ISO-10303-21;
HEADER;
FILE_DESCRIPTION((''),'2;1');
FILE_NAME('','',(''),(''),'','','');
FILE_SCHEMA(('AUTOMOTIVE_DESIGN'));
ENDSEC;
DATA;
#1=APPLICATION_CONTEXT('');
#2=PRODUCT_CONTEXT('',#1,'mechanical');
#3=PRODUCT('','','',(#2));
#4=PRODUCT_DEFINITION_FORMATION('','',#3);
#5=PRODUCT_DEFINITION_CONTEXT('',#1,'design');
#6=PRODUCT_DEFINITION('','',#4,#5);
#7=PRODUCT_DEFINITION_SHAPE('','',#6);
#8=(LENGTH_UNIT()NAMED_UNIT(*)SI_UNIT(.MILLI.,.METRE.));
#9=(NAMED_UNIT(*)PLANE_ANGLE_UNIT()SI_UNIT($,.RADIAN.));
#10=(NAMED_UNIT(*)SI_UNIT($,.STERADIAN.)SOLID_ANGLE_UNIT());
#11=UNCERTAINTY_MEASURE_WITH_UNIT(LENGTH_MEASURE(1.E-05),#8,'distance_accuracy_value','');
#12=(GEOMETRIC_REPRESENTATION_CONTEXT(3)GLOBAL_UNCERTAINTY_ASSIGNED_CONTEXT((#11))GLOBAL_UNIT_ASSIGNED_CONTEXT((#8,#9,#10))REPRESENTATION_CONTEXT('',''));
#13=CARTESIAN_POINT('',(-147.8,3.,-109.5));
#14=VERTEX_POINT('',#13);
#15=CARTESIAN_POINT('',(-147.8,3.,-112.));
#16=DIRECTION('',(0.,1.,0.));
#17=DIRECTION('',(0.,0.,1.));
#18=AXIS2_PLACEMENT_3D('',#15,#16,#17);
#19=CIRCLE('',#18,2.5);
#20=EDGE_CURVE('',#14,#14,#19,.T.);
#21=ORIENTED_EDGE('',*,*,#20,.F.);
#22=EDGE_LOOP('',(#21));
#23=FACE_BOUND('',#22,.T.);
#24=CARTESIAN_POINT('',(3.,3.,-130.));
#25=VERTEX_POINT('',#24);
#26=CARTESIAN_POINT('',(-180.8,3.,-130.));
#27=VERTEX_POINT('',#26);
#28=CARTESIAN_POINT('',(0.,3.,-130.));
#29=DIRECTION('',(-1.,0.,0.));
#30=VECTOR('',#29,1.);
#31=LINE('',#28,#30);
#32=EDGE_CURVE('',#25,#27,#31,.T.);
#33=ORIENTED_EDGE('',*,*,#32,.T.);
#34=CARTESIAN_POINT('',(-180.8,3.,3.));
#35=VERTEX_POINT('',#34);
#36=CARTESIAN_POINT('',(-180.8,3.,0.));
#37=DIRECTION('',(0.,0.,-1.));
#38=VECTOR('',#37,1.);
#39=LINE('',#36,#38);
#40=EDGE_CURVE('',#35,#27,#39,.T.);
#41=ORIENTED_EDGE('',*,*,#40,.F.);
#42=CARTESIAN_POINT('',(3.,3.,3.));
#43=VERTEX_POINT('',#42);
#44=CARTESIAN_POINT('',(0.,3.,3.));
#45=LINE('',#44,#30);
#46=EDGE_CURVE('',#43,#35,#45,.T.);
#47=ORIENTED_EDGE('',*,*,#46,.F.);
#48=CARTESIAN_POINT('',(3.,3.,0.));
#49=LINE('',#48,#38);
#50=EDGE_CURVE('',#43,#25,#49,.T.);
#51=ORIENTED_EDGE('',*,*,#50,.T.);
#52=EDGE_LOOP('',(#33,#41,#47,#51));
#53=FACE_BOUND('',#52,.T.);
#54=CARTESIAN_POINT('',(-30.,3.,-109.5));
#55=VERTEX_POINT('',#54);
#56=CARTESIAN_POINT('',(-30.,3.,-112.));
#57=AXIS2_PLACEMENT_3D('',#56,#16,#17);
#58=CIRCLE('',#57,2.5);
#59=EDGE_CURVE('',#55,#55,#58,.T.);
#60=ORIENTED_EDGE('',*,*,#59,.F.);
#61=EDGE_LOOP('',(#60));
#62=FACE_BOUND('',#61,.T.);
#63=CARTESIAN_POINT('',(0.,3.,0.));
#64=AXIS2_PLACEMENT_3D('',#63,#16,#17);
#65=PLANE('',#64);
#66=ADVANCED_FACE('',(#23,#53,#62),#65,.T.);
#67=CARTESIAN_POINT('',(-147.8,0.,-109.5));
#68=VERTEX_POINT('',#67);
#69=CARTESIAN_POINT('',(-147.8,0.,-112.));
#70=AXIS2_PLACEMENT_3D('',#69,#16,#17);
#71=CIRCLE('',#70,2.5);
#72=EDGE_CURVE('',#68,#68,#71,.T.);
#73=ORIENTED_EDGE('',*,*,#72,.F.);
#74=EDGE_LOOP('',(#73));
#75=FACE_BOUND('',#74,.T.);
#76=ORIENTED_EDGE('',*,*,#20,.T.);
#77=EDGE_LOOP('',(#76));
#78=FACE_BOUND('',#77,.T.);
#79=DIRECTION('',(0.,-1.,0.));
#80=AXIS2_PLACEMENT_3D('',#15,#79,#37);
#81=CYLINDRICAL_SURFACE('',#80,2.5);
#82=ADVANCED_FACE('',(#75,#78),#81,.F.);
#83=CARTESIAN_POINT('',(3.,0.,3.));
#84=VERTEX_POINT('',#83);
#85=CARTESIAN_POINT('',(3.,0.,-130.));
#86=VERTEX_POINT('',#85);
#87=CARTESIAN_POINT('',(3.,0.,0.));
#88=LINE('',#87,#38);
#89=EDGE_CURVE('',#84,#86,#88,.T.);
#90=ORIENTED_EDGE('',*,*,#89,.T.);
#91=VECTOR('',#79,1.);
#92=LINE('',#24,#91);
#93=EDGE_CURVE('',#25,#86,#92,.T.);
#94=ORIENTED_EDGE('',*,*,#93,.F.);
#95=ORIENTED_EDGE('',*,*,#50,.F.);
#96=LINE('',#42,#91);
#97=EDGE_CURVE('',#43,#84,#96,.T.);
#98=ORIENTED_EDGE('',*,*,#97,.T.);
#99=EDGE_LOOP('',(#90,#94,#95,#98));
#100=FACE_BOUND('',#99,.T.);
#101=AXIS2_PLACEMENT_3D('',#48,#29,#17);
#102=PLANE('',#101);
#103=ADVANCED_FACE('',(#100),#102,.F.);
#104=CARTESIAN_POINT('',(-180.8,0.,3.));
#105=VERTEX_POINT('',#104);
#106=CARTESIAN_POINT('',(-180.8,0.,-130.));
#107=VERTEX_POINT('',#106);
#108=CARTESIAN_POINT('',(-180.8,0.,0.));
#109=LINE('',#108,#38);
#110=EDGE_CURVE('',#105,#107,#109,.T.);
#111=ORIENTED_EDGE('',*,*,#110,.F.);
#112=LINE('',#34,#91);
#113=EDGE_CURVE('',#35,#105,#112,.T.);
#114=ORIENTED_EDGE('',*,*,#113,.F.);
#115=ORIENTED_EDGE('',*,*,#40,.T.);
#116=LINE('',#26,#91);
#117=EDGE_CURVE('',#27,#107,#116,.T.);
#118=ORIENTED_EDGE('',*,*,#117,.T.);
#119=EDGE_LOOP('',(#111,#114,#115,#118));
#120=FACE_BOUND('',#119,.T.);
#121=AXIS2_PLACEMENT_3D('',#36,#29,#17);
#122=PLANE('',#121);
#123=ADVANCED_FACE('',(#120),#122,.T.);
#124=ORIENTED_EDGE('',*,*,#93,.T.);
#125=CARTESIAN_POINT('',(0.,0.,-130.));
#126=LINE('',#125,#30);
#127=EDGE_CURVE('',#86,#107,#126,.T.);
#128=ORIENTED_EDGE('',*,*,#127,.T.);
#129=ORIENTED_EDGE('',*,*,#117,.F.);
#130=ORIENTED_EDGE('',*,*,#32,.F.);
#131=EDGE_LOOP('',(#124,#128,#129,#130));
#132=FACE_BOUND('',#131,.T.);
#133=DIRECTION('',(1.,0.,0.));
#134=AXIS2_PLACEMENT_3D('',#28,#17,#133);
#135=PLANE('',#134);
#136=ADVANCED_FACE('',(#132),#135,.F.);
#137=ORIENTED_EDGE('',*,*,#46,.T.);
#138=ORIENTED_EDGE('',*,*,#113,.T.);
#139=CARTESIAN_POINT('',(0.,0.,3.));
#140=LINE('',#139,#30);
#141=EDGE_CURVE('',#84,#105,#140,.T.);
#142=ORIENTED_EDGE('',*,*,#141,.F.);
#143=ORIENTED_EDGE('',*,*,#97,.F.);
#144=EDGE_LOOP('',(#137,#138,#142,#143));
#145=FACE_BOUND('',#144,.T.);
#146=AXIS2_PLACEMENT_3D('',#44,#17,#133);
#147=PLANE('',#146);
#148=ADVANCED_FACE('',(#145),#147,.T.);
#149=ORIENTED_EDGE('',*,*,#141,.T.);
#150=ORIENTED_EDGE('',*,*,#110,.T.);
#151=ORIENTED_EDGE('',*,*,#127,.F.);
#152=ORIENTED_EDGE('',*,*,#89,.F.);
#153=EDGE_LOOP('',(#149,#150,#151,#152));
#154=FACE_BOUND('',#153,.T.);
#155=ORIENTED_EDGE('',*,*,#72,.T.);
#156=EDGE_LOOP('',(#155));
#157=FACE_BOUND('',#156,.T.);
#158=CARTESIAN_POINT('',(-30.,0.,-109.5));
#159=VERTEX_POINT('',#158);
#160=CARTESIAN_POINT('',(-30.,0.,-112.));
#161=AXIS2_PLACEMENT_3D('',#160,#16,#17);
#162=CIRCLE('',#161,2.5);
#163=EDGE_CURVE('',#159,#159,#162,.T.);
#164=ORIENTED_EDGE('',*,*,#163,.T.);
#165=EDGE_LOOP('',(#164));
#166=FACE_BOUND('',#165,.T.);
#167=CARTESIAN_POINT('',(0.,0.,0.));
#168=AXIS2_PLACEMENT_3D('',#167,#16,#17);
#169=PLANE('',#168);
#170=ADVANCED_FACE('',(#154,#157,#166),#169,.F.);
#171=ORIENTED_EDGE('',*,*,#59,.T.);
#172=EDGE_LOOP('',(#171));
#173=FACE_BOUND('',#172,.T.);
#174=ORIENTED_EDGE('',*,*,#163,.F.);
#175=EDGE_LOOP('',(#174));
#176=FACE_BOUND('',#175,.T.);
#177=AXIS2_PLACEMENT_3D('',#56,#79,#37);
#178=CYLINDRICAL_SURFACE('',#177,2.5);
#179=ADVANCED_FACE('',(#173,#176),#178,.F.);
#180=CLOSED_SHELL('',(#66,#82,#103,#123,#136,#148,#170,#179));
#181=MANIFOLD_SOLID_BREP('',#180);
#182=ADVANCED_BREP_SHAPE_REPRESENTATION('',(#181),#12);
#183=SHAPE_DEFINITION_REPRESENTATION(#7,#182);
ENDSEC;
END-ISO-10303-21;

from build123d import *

# Parameters (mm, degrees)
SKETCH2_W           = 183.8
SKETCH2_H           = 133
SKETCH2_W_2         = 177.8
SKETCH2_H_2         = 127
SKETCH2_R           = 2.5
BOSS_EXTRUDE1_DEPTH = 3


with BuildPart() as part:
    # Sketch2 → Boss-Extrude1 (new body)
    with BuildSketch(Plane(origin=(0, 0, 0), x_dir=(1, 0, 0), z_dir=(0, 1, 0))):
        with Locations((-88.9, 63.5)):
            Rectangle(SKETCH2_W, SKETCH2_H)
        with Locations((-88.9, 63.5)):
            Rectangle(SKETCH2_W_2, SKETCH2_H_2, mode=Mode.SUBTRACT)
        with Locations((-88.9, 63.5)):
            Rectangle(SKETCH2_W_2, SKETCH2_H_2)
        with Locations(Location((-30, 112, 0), (0, 0, 270))):
            Circle(SKETCH2_R, mode=Mode.SUBTRACT)
        with Locations(Location((-147.8, 112, 0), (0, 0, 270))):
            Circle(SKETCH2_R, mode=Mode.SUBTRACT)
    extrude(amount=BOSS_EXTRUDE1_DEPTH)


solid = part.part
